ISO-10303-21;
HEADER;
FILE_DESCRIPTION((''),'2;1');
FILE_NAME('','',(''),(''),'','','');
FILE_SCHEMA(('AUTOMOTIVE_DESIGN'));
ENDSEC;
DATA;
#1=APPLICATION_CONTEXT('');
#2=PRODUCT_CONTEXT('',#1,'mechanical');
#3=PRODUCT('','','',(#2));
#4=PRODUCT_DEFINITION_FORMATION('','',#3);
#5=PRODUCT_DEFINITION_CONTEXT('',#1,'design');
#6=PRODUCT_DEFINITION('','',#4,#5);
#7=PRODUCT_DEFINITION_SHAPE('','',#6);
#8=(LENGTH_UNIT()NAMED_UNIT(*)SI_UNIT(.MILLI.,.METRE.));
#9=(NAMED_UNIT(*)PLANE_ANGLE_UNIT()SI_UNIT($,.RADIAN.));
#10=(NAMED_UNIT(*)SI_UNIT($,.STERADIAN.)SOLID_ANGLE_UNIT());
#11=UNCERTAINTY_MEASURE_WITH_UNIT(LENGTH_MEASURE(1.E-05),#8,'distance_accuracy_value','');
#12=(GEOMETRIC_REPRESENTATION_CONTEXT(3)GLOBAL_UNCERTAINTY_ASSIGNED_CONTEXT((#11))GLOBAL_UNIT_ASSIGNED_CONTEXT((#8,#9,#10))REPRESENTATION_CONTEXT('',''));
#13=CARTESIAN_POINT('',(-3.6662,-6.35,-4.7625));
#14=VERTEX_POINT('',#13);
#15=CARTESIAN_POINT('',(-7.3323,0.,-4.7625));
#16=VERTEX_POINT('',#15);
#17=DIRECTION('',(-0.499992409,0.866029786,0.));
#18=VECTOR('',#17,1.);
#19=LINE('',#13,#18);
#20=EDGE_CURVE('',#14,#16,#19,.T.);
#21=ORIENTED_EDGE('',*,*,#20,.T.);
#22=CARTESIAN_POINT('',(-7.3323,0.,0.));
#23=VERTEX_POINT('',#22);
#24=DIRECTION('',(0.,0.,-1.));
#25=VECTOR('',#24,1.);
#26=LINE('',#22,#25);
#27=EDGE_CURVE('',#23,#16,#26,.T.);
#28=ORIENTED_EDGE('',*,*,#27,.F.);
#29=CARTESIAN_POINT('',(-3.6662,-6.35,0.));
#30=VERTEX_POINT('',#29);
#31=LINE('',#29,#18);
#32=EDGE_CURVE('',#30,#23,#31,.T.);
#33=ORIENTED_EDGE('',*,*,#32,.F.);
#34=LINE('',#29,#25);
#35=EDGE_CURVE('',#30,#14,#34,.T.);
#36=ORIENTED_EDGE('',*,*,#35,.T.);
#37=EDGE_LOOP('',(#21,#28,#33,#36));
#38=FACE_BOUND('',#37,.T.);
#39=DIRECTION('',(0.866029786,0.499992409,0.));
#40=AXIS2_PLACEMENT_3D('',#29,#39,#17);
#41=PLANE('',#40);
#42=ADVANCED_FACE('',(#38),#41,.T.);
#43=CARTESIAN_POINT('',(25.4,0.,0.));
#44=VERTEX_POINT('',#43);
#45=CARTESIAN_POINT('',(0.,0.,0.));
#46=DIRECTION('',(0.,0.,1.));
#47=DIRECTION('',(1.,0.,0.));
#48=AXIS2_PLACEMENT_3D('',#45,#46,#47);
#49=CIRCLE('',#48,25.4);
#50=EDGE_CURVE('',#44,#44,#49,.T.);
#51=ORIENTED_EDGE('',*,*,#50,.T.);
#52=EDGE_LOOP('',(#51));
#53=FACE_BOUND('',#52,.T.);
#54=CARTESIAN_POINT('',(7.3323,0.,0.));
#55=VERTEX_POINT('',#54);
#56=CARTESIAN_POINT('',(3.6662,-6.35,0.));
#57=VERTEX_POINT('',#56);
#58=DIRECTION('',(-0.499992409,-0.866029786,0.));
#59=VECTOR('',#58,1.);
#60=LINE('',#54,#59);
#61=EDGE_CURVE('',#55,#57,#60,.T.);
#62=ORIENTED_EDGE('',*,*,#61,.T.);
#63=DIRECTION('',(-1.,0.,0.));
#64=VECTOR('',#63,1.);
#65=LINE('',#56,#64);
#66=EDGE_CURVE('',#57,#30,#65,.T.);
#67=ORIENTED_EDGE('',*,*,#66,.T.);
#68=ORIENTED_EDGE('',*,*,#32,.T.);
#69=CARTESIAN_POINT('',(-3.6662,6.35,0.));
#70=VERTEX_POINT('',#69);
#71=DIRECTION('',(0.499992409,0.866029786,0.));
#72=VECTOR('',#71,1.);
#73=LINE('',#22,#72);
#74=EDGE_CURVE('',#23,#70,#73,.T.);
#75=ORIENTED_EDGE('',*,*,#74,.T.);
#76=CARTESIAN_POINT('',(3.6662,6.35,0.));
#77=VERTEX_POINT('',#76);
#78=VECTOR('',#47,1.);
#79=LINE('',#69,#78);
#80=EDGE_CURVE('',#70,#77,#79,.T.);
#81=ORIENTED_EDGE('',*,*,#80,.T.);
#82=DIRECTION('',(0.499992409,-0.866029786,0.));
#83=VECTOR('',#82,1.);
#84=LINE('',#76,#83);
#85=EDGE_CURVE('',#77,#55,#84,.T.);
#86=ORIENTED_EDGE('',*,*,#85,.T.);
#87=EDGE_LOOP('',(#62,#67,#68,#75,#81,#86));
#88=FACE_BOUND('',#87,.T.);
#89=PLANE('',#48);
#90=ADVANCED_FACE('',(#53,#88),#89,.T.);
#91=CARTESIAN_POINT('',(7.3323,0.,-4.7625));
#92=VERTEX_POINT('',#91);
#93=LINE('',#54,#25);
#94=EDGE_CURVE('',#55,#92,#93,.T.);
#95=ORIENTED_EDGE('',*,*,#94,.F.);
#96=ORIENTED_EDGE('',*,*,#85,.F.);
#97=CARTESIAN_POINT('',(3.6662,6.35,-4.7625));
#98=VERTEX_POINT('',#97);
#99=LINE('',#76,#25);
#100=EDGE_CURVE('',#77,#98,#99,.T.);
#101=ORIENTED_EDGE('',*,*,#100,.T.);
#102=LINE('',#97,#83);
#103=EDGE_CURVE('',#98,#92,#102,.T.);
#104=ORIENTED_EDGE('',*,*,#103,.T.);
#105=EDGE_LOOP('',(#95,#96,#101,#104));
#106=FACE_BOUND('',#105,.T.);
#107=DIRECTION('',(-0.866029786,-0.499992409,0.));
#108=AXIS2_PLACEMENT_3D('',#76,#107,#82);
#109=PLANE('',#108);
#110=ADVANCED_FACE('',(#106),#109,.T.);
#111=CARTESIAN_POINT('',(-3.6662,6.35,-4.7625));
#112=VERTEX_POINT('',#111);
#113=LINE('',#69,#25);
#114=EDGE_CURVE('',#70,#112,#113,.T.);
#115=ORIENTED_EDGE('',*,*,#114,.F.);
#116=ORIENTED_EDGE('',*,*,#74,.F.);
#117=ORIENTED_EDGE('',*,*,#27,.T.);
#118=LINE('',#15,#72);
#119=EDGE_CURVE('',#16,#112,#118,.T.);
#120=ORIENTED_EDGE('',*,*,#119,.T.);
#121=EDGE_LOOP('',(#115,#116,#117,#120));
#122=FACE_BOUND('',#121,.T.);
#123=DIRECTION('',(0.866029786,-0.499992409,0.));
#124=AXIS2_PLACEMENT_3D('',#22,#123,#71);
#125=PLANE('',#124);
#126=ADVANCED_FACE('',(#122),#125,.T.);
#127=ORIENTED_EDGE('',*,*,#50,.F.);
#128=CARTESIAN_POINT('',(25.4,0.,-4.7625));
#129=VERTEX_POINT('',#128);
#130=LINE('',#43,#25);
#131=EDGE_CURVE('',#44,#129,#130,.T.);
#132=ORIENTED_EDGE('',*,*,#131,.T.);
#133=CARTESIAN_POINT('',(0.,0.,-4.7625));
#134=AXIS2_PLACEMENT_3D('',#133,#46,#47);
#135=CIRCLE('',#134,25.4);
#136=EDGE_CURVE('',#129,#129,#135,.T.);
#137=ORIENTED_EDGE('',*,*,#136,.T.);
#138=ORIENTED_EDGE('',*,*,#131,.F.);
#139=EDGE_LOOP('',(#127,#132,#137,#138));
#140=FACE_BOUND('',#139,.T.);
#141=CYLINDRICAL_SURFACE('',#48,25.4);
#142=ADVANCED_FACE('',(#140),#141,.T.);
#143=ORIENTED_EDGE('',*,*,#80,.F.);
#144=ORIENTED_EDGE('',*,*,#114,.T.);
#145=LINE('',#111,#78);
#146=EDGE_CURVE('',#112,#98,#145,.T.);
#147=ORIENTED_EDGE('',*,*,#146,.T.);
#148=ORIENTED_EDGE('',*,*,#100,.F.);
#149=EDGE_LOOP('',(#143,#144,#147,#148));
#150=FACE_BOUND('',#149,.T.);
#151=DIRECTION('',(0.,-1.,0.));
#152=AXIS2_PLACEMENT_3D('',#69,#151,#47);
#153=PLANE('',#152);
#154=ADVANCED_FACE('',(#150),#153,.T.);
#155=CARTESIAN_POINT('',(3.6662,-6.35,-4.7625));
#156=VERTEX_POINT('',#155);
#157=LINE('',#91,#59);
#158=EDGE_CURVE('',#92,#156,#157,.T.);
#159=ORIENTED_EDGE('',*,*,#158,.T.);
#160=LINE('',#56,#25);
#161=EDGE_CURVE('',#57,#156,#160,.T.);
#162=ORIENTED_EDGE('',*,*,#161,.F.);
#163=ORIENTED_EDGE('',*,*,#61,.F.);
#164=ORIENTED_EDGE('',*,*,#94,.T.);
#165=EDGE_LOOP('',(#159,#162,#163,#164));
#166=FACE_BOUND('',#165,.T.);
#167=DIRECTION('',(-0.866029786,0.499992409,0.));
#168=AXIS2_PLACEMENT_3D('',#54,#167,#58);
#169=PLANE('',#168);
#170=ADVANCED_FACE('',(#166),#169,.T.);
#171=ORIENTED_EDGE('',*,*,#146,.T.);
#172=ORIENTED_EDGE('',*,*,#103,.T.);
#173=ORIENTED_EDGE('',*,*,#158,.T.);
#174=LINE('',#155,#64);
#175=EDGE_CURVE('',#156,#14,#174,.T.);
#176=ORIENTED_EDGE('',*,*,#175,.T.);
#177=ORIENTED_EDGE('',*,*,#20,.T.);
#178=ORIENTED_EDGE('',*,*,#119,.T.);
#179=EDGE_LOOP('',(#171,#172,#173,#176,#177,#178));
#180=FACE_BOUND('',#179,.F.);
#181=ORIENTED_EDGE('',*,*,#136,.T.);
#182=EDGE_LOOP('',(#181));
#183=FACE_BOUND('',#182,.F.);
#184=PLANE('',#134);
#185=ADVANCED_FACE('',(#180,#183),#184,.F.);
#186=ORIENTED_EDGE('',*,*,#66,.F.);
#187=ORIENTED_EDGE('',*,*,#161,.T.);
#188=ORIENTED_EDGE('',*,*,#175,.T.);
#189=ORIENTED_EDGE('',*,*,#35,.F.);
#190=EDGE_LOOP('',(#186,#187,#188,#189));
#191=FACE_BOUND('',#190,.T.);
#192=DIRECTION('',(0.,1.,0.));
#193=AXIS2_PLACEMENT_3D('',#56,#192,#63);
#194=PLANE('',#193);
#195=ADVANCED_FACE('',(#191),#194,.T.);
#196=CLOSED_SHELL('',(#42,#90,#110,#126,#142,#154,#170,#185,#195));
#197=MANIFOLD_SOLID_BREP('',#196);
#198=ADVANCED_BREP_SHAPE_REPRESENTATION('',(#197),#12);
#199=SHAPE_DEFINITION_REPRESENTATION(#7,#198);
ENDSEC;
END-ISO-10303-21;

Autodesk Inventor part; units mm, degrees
ref_plane "YZ Plane" through (0, 0, 0) normal (1, 0, 0) x (0, 1, 0)
ref_plane "XZ Plane" through (0, 0, 0) normal (0, 1, 0) x (-1, 0, 0)
ref_plane "XY Plane" through (0, 0, 0) normal (0, 0, 1) x (1, 0, 0)
sketch "Sketch1" plane through (0, 0, 0) normal (0, 0, 1) x (1, 0, 0)
  line L0 (3.6662, 6.35) -> (7.3323, 0)
  line L1 (7.3323, 0) -> (3.6662, -6.35)
  line L2 (3.6662, -6.35) -> (-3.6662, -6.35)
  line L3 (-3.6662, -6.35) -> (-7.3323, 0)
  line L4 (-7.3323, 0) -> (-3.6662, 6.35)
  line L5 (-3.6662, 6.35) -> (3.6662, 6.35)
  circle A0 centre (0, 0) radius 25.4
  circle A1 centre (0, 0) radius 7.3323 construction
  dimension "d0" = 12.7
  dimension "d2" = 50.8
  dimension "d3" = 18.0677
extrude "Extrusion1" add sketch "Sketch1" against normal blind 4.7625
properties part number "1_2x2x1_4-hexBearing" material "PC/ABS Plastic"
